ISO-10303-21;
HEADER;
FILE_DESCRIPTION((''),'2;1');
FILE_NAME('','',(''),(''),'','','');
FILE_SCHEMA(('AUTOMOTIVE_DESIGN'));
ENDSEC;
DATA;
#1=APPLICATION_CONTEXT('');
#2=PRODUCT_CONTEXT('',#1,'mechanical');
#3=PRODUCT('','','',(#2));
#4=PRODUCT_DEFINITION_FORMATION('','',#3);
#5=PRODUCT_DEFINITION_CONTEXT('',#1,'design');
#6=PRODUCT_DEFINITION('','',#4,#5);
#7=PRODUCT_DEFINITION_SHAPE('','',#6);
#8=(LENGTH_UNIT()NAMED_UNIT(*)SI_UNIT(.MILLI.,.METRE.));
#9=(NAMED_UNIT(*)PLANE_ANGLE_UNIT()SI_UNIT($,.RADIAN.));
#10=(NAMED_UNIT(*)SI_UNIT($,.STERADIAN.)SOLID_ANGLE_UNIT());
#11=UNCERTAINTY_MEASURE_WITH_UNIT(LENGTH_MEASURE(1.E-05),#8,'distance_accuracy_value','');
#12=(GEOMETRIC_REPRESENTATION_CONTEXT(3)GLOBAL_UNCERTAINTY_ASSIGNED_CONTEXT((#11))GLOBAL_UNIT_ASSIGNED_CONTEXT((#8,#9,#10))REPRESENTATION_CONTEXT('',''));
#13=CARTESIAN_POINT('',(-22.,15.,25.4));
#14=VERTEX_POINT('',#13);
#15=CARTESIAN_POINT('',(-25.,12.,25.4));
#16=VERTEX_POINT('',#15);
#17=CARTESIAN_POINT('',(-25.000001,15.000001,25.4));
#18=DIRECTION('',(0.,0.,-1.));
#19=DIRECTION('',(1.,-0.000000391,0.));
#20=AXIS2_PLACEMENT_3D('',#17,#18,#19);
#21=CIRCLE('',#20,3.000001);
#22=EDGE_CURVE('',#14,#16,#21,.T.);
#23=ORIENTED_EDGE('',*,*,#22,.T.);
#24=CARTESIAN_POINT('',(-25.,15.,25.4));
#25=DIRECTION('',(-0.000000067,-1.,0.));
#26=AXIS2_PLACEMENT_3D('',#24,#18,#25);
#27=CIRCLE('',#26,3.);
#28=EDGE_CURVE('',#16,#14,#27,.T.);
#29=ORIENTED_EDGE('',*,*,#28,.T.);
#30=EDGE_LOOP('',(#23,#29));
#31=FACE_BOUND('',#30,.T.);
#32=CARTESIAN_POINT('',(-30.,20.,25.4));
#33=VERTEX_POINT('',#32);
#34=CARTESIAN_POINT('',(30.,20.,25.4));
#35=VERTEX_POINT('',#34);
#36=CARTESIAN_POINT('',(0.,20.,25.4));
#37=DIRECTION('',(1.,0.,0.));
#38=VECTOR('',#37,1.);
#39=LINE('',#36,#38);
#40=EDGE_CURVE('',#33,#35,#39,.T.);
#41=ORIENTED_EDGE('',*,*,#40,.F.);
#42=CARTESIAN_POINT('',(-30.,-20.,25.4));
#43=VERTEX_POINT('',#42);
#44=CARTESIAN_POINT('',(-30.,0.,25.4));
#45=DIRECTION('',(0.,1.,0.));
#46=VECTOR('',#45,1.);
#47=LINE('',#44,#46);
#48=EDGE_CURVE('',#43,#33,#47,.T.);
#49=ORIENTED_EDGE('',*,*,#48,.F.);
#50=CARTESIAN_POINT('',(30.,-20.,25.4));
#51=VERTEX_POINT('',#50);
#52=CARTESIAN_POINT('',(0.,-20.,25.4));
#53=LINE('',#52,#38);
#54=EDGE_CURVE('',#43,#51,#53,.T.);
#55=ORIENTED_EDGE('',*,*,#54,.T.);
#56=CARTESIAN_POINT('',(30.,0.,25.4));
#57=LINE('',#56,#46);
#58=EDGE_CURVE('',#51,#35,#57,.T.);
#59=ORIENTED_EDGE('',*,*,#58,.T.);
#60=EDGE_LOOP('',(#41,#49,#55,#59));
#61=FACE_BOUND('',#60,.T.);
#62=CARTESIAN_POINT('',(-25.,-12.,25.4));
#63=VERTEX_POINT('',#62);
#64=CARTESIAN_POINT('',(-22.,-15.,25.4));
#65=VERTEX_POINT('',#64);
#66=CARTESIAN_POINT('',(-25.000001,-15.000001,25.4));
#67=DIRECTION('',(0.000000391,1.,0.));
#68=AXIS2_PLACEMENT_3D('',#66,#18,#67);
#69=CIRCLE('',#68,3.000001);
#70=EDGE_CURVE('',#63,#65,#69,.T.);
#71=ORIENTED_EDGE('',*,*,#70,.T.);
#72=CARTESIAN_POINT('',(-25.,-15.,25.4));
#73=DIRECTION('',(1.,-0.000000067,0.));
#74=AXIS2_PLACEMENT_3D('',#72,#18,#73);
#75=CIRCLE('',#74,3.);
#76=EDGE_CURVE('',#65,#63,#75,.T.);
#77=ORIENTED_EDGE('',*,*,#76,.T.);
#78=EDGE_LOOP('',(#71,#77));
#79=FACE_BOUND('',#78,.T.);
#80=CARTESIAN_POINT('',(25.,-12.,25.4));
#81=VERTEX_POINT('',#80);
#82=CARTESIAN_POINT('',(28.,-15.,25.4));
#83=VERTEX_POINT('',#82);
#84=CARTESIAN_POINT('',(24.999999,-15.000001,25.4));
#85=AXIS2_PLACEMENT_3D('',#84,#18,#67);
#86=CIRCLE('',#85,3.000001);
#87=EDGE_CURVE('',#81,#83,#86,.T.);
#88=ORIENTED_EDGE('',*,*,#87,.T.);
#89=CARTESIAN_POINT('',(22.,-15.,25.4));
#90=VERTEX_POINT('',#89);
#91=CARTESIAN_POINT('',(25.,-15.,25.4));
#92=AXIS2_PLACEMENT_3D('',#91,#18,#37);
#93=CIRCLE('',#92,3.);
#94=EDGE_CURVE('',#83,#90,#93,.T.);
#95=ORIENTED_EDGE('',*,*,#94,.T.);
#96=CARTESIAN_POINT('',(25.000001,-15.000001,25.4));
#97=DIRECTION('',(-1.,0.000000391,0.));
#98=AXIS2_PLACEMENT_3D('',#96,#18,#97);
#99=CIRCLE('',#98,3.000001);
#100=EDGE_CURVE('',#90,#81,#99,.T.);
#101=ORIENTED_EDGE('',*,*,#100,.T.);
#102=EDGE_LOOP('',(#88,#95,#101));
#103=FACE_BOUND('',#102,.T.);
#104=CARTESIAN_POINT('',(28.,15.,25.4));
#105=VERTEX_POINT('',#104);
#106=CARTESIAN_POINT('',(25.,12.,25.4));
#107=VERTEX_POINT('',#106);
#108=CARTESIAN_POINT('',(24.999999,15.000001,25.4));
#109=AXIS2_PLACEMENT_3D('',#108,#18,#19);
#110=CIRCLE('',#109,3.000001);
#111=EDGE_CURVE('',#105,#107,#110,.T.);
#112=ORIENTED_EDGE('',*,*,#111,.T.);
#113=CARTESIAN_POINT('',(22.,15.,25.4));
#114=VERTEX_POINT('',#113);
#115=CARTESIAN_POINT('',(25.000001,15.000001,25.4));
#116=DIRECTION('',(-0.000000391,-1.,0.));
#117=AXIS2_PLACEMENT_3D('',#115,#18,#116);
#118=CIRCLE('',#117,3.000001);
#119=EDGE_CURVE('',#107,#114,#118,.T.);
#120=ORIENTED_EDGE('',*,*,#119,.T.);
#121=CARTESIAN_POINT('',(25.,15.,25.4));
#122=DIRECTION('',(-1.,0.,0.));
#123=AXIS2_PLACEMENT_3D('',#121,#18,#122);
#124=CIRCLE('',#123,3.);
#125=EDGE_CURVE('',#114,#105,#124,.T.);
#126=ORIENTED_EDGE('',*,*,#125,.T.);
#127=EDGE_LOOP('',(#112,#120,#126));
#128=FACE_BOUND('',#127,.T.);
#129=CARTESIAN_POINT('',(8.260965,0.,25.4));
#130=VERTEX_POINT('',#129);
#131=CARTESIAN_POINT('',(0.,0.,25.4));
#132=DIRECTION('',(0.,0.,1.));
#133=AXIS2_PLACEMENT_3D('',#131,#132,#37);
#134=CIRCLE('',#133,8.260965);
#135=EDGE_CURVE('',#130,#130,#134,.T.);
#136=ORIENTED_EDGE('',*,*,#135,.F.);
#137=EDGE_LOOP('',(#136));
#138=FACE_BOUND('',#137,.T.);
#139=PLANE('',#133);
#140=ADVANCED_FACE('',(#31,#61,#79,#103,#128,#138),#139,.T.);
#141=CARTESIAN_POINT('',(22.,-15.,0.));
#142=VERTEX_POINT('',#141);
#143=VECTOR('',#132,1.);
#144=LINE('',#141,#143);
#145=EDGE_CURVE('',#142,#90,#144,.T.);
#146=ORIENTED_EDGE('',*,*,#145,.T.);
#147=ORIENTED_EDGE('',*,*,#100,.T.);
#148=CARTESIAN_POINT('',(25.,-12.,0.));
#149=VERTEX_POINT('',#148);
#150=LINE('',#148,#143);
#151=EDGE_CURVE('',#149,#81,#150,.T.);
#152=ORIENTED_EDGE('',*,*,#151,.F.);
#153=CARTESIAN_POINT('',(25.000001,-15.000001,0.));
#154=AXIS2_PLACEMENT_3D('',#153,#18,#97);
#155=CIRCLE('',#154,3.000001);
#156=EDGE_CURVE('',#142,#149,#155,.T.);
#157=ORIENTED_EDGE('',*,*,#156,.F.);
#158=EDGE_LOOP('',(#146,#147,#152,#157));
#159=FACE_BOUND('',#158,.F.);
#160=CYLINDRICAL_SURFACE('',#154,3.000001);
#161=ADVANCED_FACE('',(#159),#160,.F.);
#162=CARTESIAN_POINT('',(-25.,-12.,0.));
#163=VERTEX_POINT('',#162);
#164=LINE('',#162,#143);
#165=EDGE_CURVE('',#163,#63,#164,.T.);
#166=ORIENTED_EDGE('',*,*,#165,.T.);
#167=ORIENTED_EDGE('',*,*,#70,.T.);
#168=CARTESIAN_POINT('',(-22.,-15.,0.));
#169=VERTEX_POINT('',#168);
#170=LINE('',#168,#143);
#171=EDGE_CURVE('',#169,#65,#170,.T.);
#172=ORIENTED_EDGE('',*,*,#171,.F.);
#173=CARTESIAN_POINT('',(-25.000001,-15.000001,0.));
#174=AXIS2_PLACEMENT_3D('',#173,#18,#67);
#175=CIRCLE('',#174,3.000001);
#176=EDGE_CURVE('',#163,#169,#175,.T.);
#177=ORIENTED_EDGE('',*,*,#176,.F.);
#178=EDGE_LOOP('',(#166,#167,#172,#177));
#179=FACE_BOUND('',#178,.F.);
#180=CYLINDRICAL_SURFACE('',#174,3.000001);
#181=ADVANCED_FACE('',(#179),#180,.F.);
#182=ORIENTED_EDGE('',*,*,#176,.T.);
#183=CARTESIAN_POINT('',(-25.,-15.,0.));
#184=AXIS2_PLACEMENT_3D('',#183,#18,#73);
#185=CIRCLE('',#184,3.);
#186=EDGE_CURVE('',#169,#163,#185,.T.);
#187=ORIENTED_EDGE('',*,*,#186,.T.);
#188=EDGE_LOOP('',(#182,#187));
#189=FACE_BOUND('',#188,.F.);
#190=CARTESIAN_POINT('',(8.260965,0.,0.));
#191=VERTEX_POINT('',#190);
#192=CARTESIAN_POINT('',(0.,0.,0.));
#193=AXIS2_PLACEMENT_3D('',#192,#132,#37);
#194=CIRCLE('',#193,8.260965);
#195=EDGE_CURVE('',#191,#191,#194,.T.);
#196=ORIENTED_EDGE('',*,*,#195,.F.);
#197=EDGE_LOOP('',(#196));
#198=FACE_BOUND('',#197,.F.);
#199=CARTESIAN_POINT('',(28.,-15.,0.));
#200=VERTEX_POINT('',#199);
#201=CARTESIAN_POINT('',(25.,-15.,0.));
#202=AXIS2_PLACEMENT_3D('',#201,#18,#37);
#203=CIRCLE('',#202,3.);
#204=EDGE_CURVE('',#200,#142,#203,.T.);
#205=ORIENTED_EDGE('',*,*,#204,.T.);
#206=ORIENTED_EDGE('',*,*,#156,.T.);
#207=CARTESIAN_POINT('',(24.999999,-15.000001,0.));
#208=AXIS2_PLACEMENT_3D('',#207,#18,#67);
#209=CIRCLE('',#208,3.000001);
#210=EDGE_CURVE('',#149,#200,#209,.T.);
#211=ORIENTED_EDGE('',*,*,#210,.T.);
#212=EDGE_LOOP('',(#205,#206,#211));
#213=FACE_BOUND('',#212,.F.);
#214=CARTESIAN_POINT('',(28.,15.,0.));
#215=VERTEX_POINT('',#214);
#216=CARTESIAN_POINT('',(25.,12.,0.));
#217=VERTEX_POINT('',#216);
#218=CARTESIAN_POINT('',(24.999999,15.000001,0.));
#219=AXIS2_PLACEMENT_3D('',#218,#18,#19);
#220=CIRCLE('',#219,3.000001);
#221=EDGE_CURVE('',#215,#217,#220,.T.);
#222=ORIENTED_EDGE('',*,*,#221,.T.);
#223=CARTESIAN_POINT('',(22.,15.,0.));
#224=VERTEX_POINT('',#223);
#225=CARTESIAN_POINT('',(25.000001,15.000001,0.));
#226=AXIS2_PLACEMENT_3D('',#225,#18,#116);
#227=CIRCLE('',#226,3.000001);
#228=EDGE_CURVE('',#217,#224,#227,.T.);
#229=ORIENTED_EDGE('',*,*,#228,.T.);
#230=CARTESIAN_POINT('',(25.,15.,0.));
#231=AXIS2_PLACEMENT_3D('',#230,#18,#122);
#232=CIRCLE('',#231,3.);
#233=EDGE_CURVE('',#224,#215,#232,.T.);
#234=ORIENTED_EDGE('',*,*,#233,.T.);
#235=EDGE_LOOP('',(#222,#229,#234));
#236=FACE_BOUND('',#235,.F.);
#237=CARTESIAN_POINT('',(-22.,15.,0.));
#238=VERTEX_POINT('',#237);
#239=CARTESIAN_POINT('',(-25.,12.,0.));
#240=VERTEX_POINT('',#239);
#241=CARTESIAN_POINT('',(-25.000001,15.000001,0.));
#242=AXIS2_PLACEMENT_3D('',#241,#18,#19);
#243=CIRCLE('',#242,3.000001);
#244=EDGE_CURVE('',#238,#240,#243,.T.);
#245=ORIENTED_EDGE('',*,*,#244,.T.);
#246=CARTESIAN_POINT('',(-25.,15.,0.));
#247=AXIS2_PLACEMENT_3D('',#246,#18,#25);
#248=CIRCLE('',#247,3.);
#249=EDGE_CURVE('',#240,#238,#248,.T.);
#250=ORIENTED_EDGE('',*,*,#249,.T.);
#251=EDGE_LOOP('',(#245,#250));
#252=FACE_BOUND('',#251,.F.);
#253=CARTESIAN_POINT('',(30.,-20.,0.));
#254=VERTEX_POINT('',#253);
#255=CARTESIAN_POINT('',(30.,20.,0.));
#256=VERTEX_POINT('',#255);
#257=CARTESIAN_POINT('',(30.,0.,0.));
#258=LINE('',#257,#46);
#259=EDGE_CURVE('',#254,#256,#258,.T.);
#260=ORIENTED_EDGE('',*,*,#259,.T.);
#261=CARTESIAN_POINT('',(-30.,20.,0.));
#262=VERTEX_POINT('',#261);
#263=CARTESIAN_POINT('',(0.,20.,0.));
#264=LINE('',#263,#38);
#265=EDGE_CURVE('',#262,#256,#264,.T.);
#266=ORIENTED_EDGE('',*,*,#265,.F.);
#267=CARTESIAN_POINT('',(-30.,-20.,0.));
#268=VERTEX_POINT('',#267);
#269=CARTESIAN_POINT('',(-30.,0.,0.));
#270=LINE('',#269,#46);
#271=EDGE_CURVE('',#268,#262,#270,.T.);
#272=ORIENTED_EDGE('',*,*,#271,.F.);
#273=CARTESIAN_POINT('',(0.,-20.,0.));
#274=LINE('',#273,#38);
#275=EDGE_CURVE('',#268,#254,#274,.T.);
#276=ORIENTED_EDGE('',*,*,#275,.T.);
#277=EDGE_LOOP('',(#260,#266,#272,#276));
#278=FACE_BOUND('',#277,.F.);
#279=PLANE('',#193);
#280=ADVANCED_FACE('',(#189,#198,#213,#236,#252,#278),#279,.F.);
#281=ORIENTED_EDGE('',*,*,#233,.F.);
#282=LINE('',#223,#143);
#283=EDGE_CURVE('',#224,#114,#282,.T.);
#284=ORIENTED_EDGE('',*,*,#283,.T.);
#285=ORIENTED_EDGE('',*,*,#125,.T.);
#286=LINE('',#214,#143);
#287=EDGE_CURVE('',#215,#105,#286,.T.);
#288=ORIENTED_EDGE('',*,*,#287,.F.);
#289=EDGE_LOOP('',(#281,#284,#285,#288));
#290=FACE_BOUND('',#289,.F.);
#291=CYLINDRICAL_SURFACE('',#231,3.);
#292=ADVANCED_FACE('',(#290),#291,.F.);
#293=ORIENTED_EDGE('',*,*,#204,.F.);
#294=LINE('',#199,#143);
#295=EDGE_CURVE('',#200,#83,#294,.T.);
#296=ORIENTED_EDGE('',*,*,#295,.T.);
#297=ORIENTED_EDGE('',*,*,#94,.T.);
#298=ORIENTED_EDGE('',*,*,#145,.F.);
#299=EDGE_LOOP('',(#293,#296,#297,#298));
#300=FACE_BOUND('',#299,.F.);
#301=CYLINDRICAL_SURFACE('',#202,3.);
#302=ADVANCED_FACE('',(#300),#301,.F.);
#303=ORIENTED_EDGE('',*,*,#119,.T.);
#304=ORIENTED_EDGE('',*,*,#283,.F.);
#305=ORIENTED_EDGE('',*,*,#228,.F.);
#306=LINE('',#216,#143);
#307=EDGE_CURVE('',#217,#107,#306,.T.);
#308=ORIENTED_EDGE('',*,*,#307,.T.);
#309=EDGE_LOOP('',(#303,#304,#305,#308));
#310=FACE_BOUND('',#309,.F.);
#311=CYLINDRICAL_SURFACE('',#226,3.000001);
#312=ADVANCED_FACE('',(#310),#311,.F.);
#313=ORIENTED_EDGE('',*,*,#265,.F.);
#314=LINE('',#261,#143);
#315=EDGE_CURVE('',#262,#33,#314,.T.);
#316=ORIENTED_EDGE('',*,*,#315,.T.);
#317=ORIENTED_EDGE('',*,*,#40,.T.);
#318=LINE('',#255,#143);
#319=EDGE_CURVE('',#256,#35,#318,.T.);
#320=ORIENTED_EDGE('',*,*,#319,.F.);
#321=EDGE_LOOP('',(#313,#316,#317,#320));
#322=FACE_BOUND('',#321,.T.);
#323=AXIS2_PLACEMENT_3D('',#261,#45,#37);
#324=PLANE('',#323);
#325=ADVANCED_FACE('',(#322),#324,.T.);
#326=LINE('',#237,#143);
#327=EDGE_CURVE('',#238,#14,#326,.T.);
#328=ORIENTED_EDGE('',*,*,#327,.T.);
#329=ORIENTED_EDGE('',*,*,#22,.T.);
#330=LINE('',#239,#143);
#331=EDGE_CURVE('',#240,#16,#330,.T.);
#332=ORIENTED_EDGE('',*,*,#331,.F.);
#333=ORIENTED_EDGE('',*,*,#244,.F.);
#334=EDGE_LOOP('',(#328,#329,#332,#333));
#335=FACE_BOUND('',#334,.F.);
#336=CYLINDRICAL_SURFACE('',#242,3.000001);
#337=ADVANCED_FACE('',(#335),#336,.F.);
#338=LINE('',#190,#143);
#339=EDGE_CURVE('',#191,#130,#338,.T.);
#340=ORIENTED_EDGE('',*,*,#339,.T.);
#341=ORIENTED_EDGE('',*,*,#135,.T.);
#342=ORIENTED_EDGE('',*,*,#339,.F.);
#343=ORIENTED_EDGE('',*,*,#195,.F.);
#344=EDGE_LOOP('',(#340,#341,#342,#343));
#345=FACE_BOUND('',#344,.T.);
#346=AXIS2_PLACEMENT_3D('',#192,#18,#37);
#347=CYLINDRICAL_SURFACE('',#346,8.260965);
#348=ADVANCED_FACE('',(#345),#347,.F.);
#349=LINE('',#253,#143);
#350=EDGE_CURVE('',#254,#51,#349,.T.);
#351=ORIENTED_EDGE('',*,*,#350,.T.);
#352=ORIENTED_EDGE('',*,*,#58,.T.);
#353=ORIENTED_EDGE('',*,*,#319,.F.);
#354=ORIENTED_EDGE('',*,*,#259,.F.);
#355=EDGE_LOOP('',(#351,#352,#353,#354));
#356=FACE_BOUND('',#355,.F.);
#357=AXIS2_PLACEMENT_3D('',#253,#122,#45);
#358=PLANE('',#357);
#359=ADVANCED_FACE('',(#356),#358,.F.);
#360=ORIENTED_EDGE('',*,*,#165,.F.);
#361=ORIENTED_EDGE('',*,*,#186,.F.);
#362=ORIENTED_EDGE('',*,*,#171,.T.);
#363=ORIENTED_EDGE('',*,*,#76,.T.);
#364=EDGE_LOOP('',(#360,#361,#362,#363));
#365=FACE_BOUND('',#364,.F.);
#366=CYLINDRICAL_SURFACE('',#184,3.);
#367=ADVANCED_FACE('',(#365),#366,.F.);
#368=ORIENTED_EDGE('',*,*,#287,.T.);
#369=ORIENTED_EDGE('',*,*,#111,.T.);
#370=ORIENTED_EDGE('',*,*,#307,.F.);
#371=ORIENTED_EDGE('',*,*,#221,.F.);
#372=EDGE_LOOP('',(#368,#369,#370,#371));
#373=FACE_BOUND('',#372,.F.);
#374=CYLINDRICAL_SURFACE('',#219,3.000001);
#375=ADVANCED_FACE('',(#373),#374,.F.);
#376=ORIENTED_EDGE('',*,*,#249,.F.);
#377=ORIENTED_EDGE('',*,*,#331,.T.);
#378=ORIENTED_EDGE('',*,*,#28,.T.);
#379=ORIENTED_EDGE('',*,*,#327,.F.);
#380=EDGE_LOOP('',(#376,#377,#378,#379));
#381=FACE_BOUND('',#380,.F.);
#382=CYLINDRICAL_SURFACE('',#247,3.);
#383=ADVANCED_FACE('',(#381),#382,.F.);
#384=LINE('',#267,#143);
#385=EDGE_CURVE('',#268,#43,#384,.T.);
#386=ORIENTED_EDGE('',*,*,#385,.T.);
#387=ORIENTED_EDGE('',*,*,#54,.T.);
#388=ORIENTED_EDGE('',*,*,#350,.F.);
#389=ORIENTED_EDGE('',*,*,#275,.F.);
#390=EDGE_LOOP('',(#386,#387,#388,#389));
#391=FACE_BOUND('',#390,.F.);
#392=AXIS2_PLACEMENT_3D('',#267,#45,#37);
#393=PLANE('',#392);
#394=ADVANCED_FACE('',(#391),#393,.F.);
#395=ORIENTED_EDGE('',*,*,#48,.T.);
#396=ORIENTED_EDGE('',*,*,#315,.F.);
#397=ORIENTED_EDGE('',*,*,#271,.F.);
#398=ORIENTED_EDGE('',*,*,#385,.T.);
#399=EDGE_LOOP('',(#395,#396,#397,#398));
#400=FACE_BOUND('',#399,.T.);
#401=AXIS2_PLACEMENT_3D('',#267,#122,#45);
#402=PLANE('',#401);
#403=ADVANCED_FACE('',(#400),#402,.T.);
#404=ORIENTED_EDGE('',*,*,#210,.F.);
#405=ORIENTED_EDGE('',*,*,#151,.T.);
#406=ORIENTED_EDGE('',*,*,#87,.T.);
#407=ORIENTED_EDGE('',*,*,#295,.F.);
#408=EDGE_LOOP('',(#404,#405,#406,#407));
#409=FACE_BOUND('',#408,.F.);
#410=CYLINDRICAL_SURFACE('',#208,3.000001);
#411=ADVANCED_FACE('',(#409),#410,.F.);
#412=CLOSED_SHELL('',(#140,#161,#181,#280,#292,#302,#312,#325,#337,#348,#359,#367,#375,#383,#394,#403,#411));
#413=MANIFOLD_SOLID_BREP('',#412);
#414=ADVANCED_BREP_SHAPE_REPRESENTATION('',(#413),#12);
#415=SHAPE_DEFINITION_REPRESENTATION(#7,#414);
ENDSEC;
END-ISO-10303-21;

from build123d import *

# Parameters (mm, degrees)
F0_W     = 60
F0_H     = 40
F0_R     = 8.260965
F2_DEPTH = 25.4


with BuildPart() as f2:
    # F0 (on Top) → F2 (new body)
    with BuildSketch(Plane.XY):
        Rectangle(F0_W, F0_H)
        with BuildLine():
            ThreePointArc((-25, 12), (-27.12132, 17.12132), (-22, 15))
            Line((-22, 15), (22, 15))
            ThreePointArc((22, 15), (25, 18), (28, 15))
            ThreePointArc((28, 15), (27.12132, 12.87868), (25, 12))
            Line((25, 12), (25, -12))
            ThreePointArc((25, -12), (27.12132, -12.87868), (28, -15))
            ThreePointArc((28, -15), (25, -18), (22, -15))
            Line((22, -15), (-22, -15))
            ThreePointArc((-22, -15), (-27.12132, -17.12132), (-25, -12))
            Line((-25, -12), (-25, 12))
        make_face(mode=Mode.SUBTRACT)
        with BuildLine():
            Line((22, 15), (-22, 15))
            ThreePointArc((-22, 15), (-22.87868, 12.87868), (-25, 12))
            Line((-25, 12), (-25, -12))
            ThreePointArc((-25, -12), (-22.87868, -12.87868), (-22, -15))
            Line((-22, -15), (22, -15))
            ThreePointArc((22, -15), (22.87868, -12.87868), (25, -12))
            Line((25, -12), (25, 12))
            ThreePointArc((25, 12), (22.87868, 12.87868), (22, 15))
        make_face()
        Circle(F0_R, mode=Mode.SUBTRACT)
    extrude(amount=F2_DEPTH)


solid = f2.part
